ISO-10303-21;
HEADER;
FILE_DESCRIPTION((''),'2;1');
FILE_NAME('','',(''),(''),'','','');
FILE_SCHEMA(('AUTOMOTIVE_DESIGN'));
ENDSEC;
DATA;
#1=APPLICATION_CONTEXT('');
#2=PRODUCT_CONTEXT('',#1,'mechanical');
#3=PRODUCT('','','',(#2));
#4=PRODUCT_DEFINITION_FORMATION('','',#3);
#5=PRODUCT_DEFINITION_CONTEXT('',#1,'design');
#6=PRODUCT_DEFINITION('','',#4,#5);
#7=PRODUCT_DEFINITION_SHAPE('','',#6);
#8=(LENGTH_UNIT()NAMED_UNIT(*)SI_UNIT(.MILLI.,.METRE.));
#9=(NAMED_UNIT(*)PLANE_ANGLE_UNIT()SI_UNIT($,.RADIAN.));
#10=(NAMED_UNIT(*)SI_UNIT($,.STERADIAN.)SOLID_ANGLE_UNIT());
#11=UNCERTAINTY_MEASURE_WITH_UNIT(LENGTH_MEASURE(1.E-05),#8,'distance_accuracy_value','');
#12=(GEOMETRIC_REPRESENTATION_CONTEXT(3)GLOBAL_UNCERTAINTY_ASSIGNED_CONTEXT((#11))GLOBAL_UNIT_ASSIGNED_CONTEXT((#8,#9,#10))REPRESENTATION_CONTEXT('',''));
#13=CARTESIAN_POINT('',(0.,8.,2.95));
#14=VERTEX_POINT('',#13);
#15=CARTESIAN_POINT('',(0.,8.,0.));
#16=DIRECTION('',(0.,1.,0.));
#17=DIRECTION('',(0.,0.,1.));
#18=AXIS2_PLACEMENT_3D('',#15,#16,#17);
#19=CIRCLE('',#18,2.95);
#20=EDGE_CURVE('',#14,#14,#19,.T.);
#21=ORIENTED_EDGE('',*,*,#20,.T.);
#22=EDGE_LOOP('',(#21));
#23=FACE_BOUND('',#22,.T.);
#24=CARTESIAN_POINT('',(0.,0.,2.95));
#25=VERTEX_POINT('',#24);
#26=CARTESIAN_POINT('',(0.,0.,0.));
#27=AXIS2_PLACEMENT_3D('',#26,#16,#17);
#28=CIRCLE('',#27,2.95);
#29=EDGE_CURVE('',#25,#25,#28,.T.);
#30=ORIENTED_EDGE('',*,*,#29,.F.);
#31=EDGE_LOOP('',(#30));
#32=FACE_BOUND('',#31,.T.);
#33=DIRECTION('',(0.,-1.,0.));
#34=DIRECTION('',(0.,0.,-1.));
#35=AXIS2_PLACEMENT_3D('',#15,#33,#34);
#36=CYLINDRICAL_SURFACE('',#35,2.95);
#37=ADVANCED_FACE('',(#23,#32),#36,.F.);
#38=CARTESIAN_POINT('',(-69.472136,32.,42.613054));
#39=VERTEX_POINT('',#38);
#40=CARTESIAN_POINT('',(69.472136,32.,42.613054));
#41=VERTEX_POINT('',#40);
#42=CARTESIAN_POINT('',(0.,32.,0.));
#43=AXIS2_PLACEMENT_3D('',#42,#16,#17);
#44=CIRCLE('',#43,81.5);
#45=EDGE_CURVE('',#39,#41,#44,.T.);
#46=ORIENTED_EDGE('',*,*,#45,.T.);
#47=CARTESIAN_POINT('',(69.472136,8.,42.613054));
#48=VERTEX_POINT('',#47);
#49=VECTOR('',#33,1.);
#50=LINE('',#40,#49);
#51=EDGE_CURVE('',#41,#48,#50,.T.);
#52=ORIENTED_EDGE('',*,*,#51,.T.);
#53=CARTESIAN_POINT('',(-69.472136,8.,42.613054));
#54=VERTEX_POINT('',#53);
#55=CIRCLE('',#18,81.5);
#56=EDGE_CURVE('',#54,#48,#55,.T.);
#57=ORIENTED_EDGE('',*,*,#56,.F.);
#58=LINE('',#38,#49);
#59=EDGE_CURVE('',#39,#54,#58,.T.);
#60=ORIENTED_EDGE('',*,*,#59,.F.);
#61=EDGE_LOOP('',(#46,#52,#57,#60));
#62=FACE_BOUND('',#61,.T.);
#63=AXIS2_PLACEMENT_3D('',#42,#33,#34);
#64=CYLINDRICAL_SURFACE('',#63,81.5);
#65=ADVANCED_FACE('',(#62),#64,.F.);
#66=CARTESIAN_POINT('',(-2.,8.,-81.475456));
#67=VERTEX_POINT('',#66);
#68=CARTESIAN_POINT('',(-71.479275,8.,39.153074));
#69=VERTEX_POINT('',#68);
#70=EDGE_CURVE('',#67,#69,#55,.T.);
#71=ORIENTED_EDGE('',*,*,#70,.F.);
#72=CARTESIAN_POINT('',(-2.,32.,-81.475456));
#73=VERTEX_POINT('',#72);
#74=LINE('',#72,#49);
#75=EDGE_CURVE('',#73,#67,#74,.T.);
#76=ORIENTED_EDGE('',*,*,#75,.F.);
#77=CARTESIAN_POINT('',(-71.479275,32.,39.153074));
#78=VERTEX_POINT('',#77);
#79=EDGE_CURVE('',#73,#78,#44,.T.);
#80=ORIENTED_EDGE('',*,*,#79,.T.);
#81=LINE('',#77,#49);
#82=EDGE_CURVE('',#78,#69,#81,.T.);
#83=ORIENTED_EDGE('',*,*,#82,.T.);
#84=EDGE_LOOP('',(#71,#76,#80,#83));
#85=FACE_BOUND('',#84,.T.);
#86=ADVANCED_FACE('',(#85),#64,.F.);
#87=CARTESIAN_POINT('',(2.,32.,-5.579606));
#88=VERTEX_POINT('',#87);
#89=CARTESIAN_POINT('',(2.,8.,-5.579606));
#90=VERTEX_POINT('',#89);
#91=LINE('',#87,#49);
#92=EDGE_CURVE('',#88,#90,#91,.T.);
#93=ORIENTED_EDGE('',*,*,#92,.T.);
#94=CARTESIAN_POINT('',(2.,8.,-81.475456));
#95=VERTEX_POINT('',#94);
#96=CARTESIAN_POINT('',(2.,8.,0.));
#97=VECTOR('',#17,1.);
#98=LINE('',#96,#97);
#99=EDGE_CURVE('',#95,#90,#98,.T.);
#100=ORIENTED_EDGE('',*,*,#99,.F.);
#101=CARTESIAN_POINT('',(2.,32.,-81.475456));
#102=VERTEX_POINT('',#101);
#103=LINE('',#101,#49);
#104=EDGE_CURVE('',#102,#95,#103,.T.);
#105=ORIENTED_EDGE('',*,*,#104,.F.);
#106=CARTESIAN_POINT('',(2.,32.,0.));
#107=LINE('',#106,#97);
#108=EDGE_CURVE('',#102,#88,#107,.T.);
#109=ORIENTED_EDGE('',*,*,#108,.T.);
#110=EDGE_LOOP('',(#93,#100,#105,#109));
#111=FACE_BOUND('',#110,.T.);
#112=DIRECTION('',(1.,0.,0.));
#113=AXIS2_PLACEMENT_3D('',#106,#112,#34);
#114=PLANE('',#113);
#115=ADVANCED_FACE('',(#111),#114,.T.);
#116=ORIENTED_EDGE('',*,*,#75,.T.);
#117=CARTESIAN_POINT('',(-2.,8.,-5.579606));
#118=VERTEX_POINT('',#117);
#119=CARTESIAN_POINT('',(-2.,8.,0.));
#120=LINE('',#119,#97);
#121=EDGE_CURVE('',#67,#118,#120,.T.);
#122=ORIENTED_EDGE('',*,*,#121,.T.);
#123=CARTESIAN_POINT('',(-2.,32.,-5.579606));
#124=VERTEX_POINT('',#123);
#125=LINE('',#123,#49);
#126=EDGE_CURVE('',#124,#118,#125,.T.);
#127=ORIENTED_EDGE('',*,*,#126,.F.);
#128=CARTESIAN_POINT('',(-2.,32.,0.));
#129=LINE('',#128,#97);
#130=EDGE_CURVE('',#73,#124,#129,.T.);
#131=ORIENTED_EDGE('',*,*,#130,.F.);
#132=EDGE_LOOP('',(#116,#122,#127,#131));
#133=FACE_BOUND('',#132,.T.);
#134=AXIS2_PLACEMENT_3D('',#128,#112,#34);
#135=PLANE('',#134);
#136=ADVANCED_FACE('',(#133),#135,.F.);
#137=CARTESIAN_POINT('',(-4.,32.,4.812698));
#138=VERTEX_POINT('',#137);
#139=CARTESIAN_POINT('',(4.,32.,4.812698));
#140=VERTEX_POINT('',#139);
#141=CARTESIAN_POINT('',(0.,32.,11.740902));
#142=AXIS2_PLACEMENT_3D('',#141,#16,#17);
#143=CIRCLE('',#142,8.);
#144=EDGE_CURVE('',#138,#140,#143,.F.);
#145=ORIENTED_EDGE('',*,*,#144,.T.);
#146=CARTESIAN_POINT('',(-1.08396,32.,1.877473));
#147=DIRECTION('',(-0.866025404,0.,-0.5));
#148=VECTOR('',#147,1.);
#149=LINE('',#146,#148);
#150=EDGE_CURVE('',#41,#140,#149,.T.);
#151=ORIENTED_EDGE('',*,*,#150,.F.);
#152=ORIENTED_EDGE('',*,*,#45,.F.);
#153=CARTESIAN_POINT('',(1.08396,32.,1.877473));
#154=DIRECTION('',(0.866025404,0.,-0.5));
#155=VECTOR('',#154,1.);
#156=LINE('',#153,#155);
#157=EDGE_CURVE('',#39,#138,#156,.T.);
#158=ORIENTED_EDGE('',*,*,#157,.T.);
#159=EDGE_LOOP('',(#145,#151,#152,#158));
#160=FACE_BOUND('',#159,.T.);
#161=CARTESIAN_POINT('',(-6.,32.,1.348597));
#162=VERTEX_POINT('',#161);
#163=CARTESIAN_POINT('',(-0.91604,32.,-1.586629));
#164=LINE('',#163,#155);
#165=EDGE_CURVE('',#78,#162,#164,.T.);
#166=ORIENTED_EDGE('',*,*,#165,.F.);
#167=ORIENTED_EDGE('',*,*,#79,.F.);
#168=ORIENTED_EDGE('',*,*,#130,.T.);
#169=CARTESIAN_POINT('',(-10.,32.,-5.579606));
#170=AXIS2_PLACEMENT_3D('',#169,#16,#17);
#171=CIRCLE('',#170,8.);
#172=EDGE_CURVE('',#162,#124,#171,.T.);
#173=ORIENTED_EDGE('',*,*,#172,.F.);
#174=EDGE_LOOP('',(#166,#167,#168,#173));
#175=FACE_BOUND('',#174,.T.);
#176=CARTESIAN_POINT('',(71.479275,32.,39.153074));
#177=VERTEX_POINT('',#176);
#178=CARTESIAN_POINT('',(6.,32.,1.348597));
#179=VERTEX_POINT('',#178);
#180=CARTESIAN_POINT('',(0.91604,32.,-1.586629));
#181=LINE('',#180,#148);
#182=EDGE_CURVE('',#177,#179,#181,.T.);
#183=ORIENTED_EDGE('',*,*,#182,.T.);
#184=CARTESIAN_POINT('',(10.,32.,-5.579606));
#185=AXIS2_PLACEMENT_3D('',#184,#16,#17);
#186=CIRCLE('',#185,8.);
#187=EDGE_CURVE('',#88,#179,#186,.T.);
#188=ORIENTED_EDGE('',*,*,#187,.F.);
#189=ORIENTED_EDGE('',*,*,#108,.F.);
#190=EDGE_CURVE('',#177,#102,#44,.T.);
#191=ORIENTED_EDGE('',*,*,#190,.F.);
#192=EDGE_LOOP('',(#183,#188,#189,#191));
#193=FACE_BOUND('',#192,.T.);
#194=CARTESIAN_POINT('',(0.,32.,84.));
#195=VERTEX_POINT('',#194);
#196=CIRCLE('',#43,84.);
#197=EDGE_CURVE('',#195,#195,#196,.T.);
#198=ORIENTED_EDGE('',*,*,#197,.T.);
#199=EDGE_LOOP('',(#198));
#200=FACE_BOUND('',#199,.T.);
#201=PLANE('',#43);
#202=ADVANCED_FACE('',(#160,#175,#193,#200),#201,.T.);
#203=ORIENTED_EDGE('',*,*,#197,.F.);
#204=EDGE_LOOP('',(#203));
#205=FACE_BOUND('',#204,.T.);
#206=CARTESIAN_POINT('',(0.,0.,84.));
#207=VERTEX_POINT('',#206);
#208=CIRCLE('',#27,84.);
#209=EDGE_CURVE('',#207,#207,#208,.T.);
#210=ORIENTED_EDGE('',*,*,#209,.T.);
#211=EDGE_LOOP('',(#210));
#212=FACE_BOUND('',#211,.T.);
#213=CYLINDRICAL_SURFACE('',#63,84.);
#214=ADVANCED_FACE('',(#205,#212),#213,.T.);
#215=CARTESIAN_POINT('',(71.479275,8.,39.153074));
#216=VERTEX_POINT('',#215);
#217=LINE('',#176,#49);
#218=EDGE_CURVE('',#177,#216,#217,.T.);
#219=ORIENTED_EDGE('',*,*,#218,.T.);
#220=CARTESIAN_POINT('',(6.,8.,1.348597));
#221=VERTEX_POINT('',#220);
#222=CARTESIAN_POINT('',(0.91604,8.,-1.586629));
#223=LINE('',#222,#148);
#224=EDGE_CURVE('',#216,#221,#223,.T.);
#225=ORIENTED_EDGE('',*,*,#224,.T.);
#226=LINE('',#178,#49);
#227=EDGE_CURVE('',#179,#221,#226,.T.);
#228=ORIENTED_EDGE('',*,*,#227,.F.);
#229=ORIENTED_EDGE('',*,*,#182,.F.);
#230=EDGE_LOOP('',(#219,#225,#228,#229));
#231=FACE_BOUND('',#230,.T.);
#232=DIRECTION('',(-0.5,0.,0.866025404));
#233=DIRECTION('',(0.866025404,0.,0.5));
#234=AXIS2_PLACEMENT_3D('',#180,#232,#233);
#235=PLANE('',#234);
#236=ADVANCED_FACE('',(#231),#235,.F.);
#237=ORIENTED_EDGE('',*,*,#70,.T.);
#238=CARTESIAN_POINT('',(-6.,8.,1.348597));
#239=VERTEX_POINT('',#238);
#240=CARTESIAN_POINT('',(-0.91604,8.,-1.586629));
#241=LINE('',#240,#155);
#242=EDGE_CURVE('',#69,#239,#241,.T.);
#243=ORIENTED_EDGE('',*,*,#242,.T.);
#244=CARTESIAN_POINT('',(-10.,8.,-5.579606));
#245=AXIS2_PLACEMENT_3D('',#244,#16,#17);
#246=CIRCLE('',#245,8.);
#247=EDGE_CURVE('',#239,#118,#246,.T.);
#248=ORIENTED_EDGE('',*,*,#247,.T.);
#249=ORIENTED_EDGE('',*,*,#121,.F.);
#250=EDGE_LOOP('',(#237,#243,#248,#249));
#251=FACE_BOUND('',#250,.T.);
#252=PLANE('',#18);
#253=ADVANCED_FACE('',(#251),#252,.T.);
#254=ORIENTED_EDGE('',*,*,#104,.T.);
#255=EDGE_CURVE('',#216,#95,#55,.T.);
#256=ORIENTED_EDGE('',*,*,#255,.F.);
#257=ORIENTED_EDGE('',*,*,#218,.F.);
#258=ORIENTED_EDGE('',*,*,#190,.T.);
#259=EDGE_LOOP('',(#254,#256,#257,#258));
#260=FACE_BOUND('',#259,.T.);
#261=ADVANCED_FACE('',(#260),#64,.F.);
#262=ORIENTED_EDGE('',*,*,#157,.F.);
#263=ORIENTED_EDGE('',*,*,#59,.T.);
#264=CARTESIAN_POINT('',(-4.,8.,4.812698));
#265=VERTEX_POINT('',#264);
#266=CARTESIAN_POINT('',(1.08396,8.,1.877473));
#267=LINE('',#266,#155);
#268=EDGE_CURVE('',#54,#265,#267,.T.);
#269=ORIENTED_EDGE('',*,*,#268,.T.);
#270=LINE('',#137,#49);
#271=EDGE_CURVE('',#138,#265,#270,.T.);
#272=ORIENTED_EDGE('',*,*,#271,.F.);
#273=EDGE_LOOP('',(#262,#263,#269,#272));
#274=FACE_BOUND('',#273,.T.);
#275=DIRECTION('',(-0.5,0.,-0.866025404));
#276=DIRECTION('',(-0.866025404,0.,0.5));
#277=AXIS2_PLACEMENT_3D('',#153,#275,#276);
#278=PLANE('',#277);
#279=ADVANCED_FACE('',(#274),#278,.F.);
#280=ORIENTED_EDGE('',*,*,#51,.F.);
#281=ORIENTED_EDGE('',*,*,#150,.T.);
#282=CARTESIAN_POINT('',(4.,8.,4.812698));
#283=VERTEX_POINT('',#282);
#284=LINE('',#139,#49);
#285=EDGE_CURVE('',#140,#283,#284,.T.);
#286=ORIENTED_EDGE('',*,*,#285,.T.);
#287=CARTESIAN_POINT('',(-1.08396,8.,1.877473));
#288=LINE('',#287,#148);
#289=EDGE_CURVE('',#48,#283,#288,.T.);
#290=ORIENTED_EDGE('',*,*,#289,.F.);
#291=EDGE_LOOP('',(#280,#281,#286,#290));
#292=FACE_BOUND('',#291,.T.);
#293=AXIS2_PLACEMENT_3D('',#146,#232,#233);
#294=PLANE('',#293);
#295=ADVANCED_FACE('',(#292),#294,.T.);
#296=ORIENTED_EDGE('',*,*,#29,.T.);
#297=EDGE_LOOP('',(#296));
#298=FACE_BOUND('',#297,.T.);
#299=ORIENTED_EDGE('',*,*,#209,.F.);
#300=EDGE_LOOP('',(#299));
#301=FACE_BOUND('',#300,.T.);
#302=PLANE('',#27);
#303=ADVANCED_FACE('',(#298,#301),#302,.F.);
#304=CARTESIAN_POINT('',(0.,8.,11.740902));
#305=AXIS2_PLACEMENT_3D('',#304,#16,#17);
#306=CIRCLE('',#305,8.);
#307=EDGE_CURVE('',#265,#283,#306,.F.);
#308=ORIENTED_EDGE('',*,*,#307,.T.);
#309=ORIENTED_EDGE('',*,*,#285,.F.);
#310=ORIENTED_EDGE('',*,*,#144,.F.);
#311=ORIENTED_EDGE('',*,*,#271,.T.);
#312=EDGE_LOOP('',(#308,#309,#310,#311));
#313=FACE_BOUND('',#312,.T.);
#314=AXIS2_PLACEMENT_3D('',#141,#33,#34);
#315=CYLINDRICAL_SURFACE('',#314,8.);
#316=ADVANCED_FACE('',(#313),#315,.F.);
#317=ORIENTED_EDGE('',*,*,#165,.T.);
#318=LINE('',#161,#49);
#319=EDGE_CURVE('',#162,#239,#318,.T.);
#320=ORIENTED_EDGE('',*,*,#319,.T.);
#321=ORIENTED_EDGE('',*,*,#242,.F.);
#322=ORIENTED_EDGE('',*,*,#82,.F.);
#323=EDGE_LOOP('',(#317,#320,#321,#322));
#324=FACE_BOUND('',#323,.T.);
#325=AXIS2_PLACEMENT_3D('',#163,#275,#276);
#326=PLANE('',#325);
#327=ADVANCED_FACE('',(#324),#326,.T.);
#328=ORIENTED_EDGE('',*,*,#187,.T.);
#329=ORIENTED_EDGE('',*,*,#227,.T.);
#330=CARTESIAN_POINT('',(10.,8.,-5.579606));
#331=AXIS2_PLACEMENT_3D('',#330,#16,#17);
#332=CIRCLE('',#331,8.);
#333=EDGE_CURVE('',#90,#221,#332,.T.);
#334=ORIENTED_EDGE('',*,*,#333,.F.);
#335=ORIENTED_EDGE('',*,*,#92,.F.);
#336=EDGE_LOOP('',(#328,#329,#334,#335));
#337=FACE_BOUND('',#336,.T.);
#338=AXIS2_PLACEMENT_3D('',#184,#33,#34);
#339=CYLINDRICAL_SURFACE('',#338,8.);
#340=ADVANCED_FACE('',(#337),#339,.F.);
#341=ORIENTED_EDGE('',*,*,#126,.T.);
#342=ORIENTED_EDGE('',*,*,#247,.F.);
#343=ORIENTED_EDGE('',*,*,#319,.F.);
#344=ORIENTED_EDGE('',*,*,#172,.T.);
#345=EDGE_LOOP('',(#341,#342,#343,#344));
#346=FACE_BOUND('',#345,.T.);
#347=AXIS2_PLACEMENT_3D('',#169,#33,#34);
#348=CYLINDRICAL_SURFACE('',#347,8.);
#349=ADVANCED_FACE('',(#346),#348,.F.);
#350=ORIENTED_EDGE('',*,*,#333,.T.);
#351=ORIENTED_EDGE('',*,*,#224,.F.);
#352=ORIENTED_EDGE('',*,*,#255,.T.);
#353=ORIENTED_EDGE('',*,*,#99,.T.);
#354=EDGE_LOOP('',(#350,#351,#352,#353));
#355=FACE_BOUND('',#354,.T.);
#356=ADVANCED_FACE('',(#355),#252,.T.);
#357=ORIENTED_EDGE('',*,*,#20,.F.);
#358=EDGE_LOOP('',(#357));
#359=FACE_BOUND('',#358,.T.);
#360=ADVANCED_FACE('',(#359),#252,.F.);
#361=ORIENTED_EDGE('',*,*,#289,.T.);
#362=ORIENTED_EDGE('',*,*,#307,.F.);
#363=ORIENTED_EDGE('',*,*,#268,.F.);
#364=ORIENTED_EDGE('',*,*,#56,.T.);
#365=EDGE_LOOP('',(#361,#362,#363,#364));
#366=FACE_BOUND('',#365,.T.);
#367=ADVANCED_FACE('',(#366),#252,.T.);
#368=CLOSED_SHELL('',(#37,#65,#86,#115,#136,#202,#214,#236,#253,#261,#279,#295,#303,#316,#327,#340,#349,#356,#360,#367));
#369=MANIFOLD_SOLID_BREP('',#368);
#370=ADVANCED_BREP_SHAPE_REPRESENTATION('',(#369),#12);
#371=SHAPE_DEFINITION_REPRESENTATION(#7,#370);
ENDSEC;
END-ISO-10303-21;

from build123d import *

# Parameters (mm, degrees)
BOSS_EXTRUDE2_DEPTH   = 8
BOSS_EXTRUDE2_2_DEPTH = 8
BOSS_EXTRUDE2_3_DEPTH = 8
SKETCH2_4_R           = 84
BOSS_EXTRUDE3_DEPTH   = 32
SKETCH4_R             = 2.95
CUT_EXTRUDE2_DEPTH    = 8


with BuildPart() as part:
    # Sketch2 → Boss-Extrude2 (new body)
    with BuildSketch(Plane(origin=(0, 0, 0), x_dir=(1, 0, 0), z_dir=(0, 1, 0))):
        with BuildLine():
            Line((-2, 5.579606434), (-2, 81.475456427))
            ThreePointArc((-2, 81.475456427), (-70.623024312, 40.677247166), (-71.479275287, -39.15307401))
            Line((-71.479275287, -39.15307401), (-6, -1.348596796))
            ThreePointArc((-6, -1.348596796), (-3.07179677, 1.579606434), (-2, 5.579606434))
        make_face()
    extrude(amount=BOSS_EXTRUDE2_DEPTH)



with BuildPart() as body_2:
    # Sketch2 → Boss-Extrude2 2 (new body)
    with BuildSketch(Plane(origin=(0, 0, 0), x_dir=(1, 0, 0), z_dir=(0, 1, 0))):
        with BuildLine():
            ThreePointArc((71.479275287, -39.15307401), (70.623024312, 40.677247166), (2, 81.475456427))
            Line((2, 81.475456427), (2, 5.579606434))
            ThreePointArc((2, 5.579606434), (3.07179677, 1.579606434), (6, -1.348596796))
            Line((6, -1.348596796), (71.479275287, -39.15307401))
        make_face()
    extrude(amount=BOSS_EXTRUDE2_2_DEPTH)


with BuildPart() as body_3:
    # Sketch2 → Boss-Extrude2 3 (new body)
    with BuildSketch(Plane(origin=(0, 0, 0), x_dir=(1, 0, 0), z_dir=(0, 1, 0))):
        with BuildLine():
            Line((-4, -4.812698411), (-69.472135836, -42.613053661))
            ThreePointArc((-69.472135836, -42.613053661), (0, -81.5), (69.472135836, -42.613053661))
            Line((69.472135836, -42.613053661), (4, -4.812698411))
            ThreePointArc((4, -4.812698411), (0, -3.740901642), (-4, -4.812698411))
        make_face()
    extrude(amount=BOSS_EXTRUDE2_3_DEPTH)


with BuildPart() as part_1:
    add(part.part)

    add(body_2.part)  # Boss-Extrude3 merges body 2

    add(body_3.part)  # Boss-Extrude3 merges body 3
    # Sketch2<4> → Boss-Extrude3 (add)
    with BuildSketch(Plane(origin=(0, 0, 0), x_dir=(1, 0, 0), z_dir=(0, 1, 0))):
        Circle(SKETCH2_4_R)
        with BuildLine():
            Line((2, 5.579606434), (2, 81.475456427))
            ThreePointArc((2, 81.475456427), (70.623024312, 40.677247166), (71.479275287, -39.15307401))
            Line((71.479275287, -39.15307401), (6, -1.348596796))
            ThreePointArc((6, -1.348596796), (3.07179677, 1.579606434), (2, 5.579606434))
        make_face(mode=Mode.SUBTRACT)
        with BuildLine():
            Line((4, -4.812698411), (69.472135836, -42.613053661))
            ThreePointArc((69.472135836, -42.613053661), (0, -81.5), (-69.472135836, -42.613053661))
            Line((-69.472135836, -42.613053661), (-4, -4.812698411))
            ThreePointArc((-4, -4.812698411), (0, -3.740901642), (4, -4.812698411))
        make_face(mode=Mode.SUBTRACT)
        with BuildLine():
            Line((-6, -1.348596796), (-71.479275287, -39.15307401))
            ThreePointArc((-71.479275287, -39.15307401), (-70.623024312, 40.677247166), (-2, 81.475456427))
            Line((-2, 81.475456427), (-2, 5.579606434))
            ThreePointArc((-2, 5.579606434), (-3.07179677, 1.579606434), (-6, -1.348596796))
        make_face(mode=Mode.SUBTRACT)
    extrude(amount=BOSS_EXTRUDE3_DEPTH)

    # Sketch4 → Cut-Extrude2 (cut)
    with BuildSketch(Plane(origin=(0, 0, 0), x_dir=(1, 0, 0), z_dir=(0, 1, 0))):
        Circle(SKETCH4_R)
    extrude(amount=CUT_EXTRUDE2_DEPTH, mode=Mode.SUBTRACT)


solid = part_1.part
